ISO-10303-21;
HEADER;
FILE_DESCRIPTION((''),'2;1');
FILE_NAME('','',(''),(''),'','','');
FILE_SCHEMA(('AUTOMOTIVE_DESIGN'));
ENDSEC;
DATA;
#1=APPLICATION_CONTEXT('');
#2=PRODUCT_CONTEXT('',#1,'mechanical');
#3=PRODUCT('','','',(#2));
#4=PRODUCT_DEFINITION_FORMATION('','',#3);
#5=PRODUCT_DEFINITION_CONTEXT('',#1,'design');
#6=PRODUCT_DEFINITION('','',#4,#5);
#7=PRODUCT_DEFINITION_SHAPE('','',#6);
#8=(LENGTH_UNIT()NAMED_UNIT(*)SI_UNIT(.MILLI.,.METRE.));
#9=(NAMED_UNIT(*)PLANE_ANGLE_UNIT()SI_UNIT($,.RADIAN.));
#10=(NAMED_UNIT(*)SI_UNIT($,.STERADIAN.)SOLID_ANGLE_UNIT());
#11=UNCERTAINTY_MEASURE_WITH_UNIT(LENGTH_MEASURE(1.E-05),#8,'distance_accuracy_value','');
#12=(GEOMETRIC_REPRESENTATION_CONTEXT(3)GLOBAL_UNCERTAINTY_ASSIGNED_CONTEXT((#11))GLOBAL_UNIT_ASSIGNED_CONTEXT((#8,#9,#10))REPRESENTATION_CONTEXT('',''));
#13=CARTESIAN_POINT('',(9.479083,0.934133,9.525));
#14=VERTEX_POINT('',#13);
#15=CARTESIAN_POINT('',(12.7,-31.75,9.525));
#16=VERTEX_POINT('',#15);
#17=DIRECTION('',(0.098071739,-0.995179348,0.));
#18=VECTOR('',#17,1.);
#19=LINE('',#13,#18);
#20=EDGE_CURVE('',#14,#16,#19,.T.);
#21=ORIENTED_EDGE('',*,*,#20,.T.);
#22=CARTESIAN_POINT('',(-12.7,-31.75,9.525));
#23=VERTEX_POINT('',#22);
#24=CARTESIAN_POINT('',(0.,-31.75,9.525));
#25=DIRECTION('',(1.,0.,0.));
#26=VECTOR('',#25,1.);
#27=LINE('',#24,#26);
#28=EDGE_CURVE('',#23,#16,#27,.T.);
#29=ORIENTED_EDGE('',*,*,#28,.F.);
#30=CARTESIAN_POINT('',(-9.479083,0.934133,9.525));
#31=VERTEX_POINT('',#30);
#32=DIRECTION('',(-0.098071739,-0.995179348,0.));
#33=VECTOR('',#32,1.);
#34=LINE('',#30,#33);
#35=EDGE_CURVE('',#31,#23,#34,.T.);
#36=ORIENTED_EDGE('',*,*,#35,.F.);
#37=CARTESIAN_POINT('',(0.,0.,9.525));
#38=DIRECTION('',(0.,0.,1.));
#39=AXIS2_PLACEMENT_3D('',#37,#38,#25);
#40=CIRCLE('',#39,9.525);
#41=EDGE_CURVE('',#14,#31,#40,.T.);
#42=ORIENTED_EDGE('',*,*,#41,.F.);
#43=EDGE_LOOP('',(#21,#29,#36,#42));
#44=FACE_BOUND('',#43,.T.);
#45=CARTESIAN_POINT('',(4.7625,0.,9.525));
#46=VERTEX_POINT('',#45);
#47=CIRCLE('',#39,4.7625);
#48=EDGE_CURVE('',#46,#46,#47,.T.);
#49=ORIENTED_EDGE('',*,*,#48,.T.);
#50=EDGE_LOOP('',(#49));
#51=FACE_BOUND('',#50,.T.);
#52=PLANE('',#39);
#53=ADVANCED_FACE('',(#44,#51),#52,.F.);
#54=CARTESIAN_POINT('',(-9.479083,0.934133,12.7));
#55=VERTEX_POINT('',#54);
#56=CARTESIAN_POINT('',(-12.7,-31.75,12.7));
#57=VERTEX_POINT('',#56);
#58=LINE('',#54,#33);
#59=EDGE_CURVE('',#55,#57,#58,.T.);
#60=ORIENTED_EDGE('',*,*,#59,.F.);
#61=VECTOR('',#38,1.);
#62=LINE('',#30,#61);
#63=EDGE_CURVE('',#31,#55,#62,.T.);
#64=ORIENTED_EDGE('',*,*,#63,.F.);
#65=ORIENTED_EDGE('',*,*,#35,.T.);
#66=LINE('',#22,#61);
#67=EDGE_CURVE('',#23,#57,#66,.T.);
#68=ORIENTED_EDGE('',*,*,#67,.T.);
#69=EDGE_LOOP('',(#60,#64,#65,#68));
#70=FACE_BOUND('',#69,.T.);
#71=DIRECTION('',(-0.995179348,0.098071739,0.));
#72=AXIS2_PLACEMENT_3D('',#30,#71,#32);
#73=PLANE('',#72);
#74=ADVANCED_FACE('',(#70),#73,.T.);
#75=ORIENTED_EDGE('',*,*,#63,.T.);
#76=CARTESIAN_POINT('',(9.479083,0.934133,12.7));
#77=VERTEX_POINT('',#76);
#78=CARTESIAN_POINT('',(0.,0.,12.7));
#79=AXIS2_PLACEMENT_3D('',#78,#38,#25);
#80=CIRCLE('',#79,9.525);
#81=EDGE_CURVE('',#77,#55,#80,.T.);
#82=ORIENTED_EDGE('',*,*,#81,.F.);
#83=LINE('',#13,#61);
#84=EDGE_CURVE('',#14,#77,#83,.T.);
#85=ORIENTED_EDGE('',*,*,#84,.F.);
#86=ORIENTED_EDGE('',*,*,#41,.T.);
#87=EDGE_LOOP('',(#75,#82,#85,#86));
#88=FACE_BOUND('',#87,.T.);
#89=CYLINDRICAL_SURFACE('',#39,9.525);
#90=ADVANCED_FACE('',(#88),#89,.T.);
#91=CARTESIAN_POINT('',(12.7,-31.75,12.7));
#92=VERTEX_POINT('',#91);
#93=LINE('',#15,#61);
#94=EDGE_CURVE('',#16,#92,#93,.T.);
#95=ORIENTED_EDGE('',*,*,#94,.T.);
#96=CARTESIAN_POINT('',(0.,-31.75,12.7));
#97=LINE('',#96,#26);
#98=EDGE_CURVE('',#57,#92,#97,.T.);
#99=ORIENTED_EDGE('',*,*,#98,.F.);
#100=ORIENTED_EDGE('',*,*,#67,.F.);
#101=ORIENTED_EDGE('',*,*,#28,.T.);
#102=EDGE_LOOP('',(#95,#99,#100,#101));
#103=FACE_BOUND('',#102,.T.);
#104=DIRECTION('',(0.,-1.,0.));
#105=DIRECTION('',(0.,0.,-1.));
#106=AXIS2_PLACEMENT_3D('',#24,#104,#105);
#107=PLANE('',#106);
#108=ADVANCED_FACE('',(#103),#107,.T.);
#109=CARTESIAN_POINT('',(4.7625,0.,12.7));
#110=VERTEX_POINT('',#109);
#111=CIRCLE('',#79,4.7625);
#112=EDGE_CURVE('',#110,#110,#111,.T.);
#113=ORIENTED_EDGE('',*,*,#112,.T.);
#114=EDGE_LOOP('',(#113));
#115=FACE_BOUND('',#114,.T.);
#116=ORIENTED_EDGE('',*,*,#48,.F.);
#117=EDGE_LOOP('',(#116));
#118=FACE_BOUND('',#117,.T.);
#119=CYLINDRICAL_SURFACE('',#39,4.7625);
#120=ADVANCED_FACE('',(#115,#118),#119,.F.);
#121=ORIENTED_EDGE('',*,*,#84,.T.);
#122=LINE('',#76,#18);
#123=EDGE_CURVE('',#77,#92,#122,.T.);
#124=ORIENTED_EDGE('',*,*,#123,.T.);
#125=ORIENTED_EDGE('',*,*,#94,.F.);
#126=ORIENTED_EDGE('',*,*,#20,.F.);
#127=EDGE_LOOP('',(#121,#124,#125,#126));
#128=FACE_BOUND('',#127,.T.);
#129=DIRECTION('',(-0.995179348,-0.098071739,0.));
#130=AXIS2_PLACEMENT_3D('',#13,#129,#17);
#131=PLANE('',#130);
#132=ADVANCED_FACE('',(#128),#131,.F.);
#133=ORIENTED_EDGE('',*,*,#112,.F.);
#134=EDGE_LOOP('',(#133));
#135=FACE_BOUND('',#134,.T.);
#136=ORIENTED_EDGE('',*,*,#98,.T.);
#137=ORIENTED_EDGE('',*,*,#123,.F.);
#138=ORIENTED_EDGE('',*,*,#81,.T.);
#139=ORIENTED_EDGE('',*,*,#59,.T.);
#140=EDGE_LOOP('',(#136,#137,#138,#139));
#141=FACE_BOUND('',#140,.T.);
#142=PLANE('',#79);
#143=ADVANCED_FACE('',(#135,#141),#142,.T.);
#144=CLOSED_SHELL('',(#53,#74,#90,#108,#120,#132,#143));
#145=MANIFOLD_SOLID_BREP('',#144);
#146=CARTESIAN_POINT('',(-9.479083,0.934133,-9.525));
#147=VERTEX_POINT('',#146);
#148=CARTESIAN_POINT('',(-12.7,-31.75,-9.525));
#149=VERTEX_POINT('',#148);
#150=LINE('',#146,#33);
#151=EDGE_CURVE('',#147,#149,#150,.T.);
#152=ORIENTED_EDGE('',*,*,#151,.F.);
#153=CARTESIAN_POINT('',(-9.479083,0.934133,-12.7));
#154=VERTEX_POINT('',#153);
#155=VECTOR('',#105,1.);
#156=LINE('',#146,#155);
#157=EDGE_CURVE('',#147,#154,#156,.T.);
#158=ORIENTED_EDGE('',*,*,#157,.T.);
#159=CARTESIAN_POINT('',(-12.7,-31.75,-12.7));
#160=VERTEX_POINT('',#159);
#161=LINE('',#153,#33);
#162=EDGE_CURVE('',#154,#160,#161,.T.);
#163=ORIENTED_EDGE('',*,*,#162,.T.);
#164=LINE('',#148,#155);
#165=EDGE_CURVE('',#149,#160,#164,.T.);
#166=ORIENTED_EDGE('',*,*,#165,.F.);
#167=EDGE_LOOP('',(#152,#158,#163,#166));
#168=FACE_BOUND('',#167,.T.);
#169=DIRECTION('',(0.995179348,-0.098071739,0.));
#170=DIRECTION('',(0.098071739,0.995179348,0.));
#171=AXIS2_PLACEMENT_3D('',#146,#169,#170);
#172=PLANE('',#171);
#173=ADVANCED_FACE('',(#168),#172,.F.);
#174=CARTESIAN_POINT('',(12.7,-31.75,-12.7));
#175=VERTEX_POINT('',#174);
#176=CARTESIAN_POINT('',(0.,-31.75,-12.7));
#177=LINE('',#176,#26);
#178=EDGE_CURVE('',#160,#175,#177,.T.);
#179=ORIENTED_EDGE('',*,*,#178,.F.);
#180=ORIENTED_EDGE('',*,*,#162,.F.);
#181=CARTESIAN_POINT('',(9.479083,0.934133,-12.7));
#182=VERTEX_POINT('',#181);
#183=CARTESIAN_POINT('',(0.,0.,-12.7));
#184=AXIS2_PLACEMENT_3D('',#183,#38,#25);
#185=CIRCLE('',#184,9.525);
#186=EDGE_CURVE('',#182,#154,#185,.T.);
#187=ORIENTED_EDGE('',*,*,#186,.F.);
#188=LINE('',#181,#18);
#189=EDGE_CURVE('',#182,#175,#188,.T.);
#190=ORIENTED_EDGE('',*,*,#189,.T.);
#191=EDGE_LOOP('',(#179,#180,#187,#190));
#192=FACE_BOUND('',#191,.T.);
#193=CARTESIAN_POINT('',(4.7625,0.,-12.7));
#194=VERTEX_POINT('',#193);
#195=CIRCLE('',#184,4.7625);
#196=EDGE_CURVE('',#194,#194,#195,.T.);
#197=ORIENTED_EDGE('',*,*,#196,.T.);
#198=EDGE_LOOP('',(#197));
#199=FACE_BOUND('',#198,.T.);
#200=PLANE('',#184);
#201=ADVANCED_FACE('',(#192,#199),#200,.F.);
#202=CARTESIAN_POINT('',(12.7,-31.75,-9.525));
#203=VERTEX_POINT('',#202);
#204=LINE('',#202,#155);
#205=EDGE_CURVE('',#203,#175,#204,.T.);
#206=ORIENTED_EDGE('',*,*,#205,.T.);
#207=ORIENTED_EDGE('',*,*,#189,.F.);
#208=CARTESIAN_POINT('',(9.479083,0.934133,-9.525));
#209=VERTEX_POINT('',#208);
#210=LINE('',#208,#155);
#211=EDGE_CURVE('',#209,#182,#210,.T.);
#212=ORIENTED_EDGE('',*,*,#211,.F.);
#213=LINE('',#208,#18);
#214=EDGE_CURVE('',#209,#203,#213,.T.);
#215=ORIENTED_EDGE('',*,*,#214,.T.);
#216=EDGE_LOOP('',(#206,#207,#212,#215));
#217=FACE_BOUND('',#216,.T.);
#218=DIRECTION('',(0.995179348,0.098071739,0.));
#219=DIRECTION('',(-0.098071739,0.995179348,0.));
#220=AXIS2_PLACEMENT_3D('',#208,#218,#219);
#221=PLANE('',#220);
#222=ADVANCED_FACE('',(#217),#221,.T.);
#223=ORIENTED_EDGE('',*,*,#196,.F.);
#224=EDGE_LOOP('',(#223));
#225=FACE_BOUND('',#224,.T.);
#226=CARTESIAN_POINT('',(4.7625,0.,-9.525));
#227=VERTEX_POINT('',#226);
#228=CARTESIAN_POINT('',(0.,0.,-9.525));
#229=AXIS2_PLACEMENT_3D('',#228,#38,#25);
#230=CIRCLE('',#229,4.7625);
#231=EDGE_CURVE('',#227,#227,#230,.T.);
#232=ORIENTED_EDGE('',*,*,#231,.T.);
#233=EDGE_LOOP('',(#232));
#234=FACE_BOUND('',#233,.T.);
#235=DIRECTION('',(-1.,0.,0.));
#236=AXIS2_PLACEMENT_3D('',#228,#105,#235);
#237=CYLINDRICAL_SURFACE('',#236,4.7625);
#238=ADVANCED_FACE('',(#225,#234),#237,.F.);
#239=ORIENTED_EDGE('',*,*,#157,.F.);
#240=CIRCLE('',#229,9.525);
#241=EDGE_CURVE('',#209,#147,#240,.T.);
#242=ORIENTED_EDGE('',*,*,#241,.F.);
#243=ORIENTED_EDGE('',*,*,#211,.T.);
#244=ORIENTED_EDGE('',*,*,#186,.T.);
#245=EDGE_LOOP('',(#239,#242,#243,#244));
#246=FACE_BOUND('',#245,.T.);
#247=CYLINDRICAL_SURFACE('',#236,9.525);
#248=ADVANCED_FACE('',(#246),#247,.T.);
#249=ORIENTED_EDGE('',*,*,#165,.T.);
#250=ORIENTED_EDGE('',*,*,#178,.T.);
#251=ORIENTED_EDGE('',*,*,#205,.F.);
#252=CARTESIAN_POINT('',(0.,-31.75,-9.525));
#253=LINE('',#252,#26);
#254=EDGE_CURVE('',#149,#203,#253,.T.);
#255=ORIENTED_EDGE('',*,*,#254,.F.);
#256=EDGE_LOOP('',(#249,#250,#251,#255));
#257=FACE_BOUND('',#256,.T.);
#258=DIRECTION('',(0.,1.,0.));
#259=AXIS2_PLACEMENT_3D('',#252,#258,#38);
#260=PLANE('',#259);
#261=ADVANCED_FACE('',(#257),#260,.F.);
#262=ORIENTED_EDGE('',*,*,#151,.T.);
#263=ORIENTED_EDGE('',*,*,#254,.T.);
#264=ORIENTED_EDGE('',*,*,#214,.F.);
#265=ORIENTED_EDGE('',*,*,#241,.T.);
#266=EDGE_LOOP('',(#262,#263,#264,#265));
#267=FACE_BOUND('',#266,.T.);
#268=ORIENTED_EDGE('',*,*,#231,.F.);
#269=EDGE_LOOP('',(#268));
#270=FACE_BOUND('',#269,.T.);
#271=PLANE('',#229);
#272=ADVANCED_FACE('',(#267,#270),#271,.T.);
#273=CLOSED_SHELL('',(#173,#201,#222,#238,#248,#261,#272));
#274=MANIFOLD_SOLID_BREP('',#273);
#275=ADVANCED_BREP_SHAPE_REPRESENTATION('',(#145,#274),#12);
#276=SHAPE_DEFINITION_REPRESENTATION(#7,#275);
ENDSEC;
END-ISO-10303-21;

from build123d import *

# Parameters (mm, degrees)
BOSS_EXTRUDE1_START = 12.7
SKETCH1_R           = 4.7625
BOSS_EXTRUDE1_DEPTH = 3.175
BOSS_EXTRUDE2_START = -12.7
SKETCH1_4_R         = 4.7625
BOSS_EXTRUDE2_DEPTH = 3.175


with BuildPart() as part:
    # Sketch1 → Boss-Extrude1 (new body)
    with BuildSketch(Plane.XY.offset(BOSS_EXTRUDE1_START)):
        with BuildLine():
            ThreePointArc((9.479083286, 0.934133315), (0, 9.525), (-9.479083286, 0.934133315))
            Line((-9.479083286, 0.934133315), (-12.7, -31.75))
            Line((-12.7, -31.75), (12.7, -31.75))
            Line((12.7, -31.75), (9.479083286, 0.934133315))
        make_face()
        Circle(SKETCH1_R, mode=Mode.SUBTRACT)
    extrude(amount=-BOSS_EXTRUDE1_DEPTH)


with BuildPart() as body_2:
    # Sketch1<4> → Boss-Extrude2 (new body)
    with BuildSketch(Plane.XY.offset(BOSS_EXTRUDE2_START)):
        with BuildLine():
            ThreePointArc((9.479083286, 0.934133315), (0, 9.525), (-9.479083286, 0.934133315))
            Line((-9.479083286, 0.934133315), (-12.7, -31.75))
            Line((-12.7, -31.75), (12.7, -31.75))
            Line((12.7, -31.75), (9.479083286, 0.934133315))
        make_face()
        Circle(SKETCH1_4_R, mode=Mode.SUBTRACT)
    extrude(amount=BOSS_EXTRUDE2_DEPTH)


solid = Compound([part.part, body_2.part])
